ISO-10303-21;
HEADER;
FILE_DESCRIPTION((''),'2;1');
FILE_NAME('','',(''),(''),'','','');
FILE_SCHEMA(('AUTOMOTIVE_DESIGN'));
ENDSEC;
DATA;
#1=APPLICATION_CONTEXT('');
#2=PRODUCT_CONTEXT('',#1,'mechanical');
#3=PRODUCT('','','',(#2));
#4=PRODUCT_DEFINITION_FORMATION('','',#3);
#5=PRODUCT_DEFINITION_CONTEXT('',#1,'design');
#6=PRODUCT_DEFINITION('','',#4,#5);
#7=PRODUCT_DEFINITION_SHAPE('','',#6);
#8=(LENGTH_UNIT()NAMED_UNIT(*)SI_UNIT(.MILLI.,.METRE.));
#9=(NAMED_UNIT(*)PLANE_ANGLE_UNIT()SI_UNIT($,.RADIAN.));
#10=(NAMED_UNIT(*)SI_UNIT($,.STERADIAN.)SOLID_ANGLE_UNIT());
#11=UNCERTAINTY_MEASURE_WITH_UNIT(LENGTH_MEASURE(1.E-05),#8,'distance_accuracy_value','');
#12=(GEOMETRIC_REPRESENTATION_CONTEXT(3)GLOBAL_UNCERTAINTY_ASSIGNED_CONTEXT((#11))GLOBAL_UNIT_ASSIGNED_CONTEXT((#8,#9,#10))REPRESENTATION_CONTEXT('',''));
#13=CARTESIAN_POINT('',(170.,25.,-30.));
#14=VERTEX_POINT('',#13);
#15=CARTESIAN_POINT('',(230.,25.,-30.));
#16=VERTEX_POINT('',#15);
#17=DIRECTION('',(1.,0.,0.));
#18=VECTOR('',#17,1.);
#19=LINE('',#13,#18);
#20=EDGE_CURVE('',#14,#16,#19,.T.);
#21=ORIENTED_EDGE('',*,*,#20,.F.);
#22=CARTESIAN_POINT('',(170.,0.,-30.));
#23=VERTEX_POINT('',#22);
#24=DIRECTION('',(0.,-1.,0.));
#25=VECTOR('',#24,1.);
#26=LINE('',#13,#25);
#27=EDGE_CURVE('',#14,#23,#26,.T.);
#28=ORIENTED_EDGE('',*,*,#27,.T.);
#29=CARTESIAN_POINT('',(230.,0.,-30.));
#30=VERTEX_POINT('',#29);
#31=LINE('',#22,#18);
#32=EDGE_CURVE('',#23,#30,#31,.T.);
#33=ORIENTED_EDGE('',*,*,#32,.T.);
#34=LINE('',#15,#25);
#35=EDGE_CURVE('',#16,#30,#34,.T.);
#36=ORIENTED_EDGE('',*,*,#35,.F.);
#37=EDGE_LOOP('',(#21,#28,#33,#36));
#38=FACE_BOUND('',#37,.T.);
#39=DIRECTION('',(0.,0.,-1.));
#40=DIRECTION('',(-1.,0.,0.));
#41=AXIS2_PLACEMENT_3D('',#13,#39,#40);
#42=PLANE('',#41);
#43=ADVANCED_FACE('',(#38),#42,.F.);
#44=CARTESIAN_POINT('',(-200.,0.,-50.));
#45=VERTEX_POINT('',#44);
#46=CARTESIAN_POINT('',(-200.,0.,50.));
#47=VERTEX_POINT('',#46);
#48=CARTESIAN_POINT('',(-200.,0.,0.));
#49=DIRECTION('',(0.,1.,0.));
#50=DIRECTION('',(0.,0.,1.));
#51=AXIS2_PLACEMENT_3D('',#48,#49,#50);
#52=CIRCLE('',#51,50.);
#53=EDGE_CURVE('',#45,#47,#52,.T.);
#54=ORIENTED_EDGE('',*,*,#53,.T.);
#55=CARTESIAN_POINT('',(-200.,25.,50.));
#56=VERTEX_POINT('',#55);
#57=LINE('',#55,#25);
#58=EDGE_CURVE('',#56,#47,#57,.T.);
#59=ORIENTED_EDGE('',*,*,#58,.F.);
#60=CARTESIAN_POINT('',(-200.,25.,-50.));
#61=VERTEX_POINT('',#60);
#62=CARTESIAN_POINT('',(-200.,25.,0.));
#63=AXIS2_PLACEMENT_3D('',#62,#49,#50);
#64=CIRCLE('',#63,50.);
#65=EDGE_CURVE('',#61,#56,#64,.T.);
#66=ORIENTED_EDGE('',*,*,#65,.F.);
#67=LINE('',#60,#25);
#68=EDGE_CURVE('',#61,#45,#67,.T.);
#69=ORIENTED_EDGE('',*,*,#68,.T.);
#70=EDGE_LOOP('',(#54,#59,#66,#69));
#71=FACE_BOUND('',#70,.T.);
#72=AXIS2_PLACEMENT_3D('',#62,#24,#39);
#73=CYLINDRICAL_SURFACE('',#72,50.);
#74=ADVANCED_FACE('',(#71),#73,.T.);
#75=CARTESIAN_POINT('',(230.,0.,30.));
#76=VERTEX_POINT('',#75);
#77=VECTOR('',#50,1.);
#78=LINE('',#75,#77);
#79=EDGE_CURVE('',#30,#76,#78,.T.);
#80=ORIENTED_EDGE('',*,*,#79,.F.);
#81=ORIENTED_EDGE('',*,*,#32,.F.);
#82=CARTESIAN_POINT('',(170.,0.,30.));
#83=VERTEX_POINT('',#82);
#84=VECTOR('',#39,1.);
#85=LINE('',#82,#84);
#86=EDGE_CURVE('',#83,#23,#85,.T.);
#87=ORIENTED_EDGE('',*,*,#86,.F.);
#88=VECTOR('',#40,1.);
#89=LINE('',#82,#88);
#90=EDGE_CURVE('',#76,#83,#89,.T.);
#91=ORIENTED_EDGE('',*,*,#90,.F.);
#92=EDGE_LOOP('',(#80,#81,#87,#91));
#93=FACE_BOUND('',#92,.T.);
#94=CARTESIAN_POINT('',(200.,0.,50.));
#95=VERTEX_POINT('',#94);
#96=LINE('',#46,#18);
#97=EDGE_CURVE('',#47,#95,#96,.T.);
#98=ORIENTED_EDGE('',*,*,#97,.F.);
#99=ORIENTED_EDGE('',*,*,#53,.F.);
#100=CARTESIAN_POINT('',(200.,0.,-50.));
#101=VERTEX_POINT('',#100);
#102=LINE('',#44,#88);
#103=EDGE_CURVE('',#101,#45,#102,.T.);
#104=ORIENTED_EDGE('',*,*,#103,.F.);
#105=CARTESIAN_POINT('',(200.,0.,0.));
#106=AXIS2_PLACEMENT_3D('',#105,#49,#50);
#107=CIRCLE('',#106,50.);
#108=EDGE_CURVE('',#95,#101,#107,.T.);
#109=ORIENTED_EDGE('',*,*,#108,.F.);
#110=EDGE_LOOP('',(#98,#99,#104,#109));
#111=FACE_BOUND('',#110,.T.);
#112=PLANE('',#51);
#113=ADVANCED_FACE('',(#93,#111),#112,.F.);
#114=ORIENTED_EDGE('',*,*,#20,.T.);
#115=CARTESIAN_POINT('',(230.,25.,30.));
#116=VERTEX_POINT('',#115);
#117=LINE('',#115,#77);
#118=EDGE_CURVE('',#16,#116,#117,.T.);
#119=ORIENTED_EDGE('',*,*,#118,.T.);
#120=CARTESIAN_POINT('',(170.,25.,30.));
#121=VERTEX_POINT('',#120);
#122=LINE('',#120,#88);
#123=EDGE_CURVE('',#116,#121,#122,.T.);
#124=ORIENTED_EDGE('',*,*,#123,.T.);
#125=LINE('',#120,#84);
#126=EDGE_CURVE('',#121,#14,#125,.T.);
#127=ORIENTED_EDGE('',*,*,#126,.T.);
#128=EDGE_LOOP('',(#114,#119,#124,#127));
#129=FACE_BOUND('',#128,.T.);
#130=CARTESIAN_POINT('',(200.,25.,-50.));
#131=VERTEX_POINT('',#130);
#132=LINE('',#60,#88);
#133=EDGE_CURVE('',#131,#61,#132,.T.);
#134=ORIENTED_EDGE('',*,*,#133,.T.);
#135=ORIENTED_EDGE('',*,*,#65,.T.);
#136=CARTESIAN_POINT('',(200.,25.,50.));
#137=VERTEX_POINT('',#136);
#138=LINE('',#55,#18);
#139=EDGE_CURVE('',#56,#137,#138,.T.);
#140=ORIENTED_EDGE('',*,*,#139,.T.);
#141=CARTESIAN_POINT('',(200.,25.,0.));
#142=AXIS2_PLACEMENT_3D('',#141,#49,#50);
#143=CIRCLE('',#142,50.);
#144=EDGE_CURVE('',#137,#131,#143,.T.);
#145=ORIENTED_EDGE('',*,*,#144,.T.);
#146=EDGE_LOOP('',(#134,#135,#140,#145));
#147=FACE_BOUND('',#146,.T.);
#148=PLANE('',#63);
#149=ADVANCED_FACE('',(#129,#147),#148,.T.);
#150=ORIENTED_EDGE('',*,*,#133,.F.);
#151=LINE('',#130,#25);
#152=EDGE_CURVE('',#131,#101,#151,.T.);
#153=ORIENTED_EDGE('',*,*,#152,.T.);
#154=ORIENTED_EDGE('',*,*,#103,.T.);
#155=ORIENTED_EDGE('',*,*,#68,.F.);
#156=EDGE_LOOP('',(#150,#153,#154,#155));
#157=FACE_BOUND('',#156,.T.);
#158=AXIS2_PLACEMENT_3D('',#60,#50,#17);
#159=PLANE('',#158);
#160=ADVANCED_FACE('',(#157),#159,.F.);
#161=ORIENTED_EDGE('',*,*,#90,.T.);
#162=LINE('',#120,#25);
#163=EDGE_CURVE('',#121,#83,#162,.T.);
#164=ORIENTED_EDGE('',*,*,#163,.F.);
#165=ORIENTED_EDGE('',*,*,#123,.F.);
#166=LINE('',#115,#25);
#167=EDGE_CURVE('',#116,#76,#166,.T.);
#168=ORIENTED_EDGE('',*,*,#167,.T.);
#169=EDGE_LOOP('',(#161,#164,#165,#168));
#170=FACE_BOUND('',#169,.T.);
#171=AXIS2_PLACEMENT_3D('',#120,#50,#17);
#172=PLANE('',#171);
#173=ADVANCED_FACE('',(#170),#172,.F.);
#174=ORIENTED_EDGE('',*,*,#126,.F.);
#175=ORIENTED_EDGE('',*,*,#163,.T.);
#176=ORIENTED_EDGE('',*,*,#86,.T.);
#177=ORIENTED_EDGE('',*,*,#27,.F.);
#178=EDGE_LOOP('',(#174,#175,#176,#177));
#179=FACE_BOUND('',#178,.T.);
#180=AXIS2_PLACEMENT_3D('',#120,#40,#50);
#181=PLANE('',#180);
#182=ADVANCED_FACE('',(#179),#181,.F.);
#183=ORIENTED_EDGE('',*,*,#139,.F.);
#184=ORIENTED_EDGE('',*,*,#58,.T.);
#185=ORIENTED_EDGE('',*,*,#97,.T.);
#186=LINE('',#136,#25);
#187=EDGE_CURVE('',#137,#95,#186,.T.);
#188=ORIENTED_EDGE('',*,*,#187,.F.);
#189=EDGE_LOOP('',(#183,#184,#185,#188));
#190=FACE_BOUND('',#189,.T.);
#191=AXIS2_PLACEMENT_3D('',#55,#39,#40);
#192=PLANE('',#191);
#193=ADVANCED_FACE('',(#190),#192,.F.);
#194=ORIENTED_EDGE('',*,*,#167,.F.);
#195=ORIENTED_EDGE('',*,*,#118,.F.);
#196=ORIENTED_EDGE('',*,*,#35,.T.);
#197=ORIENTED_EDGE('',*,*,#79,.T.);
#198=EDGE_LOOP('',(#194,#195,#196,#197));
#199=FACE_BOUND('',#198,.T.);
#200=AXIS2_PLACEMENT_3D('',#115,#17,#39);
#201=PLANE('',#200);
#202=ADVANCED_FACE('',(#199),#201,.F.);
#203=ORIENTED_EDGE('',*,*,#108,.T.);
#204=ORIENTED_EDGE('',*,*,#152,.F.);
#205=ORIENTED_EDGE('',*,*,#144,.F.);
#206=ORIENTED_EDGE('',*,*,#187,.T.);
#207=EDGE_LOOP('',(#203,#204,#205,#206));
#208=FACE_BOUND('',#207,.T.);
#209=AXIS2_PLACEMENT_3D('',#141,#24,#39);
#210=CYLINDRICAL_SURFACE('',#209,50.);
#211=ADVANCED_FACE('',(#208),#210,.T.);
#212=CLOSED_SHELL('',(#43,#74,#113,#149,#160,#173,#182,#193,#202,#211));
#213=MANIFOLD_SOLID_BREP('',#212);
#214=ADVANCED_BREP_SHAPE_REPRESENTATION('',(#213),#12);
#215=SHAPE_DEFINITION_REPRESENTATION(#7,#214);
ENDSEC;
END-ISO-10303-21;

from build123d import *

# Parameters (mm, degrees)
EXTRUDE_1_DEPTH     = 25
SKETCH_3_W          = 60
SKETCH_3_H          = 60
CUT_EXTRUDE_1_DEPTH = 25


with BuildPart() as part:
    # 草图1 → 凸台-拉伸1 (new body)
    with BuildSketch(Plane(origin=(0, 0, 0), x_dir=(1, 0, 0), z_dir=(0, 1, 0))):
        with BuildLine():
            Line((-200, 50), (200, 50))
            ThreePointArc((200, 50), (250, 0), (200, -50))
            Line((200, -50), (-200, -50))
            ThreePointArc((-200, -50), (-250, 0), (-200, 50))
        make_face()
    extrude(amount=EXTRUDE_1_DEPTH)

    # 草图3 → 切除-拉伸1 (cut)
    with BuildSketch(Plane.XZ):
        with Locations((200, 0)):
            Rectangle(SKETCH_3_W, SKETCH_3_H)
    extrude(amount=-CUT_EXTRUDE_1_DEPTH, mode=Mode.SUBTRACT)


solid = part.part
